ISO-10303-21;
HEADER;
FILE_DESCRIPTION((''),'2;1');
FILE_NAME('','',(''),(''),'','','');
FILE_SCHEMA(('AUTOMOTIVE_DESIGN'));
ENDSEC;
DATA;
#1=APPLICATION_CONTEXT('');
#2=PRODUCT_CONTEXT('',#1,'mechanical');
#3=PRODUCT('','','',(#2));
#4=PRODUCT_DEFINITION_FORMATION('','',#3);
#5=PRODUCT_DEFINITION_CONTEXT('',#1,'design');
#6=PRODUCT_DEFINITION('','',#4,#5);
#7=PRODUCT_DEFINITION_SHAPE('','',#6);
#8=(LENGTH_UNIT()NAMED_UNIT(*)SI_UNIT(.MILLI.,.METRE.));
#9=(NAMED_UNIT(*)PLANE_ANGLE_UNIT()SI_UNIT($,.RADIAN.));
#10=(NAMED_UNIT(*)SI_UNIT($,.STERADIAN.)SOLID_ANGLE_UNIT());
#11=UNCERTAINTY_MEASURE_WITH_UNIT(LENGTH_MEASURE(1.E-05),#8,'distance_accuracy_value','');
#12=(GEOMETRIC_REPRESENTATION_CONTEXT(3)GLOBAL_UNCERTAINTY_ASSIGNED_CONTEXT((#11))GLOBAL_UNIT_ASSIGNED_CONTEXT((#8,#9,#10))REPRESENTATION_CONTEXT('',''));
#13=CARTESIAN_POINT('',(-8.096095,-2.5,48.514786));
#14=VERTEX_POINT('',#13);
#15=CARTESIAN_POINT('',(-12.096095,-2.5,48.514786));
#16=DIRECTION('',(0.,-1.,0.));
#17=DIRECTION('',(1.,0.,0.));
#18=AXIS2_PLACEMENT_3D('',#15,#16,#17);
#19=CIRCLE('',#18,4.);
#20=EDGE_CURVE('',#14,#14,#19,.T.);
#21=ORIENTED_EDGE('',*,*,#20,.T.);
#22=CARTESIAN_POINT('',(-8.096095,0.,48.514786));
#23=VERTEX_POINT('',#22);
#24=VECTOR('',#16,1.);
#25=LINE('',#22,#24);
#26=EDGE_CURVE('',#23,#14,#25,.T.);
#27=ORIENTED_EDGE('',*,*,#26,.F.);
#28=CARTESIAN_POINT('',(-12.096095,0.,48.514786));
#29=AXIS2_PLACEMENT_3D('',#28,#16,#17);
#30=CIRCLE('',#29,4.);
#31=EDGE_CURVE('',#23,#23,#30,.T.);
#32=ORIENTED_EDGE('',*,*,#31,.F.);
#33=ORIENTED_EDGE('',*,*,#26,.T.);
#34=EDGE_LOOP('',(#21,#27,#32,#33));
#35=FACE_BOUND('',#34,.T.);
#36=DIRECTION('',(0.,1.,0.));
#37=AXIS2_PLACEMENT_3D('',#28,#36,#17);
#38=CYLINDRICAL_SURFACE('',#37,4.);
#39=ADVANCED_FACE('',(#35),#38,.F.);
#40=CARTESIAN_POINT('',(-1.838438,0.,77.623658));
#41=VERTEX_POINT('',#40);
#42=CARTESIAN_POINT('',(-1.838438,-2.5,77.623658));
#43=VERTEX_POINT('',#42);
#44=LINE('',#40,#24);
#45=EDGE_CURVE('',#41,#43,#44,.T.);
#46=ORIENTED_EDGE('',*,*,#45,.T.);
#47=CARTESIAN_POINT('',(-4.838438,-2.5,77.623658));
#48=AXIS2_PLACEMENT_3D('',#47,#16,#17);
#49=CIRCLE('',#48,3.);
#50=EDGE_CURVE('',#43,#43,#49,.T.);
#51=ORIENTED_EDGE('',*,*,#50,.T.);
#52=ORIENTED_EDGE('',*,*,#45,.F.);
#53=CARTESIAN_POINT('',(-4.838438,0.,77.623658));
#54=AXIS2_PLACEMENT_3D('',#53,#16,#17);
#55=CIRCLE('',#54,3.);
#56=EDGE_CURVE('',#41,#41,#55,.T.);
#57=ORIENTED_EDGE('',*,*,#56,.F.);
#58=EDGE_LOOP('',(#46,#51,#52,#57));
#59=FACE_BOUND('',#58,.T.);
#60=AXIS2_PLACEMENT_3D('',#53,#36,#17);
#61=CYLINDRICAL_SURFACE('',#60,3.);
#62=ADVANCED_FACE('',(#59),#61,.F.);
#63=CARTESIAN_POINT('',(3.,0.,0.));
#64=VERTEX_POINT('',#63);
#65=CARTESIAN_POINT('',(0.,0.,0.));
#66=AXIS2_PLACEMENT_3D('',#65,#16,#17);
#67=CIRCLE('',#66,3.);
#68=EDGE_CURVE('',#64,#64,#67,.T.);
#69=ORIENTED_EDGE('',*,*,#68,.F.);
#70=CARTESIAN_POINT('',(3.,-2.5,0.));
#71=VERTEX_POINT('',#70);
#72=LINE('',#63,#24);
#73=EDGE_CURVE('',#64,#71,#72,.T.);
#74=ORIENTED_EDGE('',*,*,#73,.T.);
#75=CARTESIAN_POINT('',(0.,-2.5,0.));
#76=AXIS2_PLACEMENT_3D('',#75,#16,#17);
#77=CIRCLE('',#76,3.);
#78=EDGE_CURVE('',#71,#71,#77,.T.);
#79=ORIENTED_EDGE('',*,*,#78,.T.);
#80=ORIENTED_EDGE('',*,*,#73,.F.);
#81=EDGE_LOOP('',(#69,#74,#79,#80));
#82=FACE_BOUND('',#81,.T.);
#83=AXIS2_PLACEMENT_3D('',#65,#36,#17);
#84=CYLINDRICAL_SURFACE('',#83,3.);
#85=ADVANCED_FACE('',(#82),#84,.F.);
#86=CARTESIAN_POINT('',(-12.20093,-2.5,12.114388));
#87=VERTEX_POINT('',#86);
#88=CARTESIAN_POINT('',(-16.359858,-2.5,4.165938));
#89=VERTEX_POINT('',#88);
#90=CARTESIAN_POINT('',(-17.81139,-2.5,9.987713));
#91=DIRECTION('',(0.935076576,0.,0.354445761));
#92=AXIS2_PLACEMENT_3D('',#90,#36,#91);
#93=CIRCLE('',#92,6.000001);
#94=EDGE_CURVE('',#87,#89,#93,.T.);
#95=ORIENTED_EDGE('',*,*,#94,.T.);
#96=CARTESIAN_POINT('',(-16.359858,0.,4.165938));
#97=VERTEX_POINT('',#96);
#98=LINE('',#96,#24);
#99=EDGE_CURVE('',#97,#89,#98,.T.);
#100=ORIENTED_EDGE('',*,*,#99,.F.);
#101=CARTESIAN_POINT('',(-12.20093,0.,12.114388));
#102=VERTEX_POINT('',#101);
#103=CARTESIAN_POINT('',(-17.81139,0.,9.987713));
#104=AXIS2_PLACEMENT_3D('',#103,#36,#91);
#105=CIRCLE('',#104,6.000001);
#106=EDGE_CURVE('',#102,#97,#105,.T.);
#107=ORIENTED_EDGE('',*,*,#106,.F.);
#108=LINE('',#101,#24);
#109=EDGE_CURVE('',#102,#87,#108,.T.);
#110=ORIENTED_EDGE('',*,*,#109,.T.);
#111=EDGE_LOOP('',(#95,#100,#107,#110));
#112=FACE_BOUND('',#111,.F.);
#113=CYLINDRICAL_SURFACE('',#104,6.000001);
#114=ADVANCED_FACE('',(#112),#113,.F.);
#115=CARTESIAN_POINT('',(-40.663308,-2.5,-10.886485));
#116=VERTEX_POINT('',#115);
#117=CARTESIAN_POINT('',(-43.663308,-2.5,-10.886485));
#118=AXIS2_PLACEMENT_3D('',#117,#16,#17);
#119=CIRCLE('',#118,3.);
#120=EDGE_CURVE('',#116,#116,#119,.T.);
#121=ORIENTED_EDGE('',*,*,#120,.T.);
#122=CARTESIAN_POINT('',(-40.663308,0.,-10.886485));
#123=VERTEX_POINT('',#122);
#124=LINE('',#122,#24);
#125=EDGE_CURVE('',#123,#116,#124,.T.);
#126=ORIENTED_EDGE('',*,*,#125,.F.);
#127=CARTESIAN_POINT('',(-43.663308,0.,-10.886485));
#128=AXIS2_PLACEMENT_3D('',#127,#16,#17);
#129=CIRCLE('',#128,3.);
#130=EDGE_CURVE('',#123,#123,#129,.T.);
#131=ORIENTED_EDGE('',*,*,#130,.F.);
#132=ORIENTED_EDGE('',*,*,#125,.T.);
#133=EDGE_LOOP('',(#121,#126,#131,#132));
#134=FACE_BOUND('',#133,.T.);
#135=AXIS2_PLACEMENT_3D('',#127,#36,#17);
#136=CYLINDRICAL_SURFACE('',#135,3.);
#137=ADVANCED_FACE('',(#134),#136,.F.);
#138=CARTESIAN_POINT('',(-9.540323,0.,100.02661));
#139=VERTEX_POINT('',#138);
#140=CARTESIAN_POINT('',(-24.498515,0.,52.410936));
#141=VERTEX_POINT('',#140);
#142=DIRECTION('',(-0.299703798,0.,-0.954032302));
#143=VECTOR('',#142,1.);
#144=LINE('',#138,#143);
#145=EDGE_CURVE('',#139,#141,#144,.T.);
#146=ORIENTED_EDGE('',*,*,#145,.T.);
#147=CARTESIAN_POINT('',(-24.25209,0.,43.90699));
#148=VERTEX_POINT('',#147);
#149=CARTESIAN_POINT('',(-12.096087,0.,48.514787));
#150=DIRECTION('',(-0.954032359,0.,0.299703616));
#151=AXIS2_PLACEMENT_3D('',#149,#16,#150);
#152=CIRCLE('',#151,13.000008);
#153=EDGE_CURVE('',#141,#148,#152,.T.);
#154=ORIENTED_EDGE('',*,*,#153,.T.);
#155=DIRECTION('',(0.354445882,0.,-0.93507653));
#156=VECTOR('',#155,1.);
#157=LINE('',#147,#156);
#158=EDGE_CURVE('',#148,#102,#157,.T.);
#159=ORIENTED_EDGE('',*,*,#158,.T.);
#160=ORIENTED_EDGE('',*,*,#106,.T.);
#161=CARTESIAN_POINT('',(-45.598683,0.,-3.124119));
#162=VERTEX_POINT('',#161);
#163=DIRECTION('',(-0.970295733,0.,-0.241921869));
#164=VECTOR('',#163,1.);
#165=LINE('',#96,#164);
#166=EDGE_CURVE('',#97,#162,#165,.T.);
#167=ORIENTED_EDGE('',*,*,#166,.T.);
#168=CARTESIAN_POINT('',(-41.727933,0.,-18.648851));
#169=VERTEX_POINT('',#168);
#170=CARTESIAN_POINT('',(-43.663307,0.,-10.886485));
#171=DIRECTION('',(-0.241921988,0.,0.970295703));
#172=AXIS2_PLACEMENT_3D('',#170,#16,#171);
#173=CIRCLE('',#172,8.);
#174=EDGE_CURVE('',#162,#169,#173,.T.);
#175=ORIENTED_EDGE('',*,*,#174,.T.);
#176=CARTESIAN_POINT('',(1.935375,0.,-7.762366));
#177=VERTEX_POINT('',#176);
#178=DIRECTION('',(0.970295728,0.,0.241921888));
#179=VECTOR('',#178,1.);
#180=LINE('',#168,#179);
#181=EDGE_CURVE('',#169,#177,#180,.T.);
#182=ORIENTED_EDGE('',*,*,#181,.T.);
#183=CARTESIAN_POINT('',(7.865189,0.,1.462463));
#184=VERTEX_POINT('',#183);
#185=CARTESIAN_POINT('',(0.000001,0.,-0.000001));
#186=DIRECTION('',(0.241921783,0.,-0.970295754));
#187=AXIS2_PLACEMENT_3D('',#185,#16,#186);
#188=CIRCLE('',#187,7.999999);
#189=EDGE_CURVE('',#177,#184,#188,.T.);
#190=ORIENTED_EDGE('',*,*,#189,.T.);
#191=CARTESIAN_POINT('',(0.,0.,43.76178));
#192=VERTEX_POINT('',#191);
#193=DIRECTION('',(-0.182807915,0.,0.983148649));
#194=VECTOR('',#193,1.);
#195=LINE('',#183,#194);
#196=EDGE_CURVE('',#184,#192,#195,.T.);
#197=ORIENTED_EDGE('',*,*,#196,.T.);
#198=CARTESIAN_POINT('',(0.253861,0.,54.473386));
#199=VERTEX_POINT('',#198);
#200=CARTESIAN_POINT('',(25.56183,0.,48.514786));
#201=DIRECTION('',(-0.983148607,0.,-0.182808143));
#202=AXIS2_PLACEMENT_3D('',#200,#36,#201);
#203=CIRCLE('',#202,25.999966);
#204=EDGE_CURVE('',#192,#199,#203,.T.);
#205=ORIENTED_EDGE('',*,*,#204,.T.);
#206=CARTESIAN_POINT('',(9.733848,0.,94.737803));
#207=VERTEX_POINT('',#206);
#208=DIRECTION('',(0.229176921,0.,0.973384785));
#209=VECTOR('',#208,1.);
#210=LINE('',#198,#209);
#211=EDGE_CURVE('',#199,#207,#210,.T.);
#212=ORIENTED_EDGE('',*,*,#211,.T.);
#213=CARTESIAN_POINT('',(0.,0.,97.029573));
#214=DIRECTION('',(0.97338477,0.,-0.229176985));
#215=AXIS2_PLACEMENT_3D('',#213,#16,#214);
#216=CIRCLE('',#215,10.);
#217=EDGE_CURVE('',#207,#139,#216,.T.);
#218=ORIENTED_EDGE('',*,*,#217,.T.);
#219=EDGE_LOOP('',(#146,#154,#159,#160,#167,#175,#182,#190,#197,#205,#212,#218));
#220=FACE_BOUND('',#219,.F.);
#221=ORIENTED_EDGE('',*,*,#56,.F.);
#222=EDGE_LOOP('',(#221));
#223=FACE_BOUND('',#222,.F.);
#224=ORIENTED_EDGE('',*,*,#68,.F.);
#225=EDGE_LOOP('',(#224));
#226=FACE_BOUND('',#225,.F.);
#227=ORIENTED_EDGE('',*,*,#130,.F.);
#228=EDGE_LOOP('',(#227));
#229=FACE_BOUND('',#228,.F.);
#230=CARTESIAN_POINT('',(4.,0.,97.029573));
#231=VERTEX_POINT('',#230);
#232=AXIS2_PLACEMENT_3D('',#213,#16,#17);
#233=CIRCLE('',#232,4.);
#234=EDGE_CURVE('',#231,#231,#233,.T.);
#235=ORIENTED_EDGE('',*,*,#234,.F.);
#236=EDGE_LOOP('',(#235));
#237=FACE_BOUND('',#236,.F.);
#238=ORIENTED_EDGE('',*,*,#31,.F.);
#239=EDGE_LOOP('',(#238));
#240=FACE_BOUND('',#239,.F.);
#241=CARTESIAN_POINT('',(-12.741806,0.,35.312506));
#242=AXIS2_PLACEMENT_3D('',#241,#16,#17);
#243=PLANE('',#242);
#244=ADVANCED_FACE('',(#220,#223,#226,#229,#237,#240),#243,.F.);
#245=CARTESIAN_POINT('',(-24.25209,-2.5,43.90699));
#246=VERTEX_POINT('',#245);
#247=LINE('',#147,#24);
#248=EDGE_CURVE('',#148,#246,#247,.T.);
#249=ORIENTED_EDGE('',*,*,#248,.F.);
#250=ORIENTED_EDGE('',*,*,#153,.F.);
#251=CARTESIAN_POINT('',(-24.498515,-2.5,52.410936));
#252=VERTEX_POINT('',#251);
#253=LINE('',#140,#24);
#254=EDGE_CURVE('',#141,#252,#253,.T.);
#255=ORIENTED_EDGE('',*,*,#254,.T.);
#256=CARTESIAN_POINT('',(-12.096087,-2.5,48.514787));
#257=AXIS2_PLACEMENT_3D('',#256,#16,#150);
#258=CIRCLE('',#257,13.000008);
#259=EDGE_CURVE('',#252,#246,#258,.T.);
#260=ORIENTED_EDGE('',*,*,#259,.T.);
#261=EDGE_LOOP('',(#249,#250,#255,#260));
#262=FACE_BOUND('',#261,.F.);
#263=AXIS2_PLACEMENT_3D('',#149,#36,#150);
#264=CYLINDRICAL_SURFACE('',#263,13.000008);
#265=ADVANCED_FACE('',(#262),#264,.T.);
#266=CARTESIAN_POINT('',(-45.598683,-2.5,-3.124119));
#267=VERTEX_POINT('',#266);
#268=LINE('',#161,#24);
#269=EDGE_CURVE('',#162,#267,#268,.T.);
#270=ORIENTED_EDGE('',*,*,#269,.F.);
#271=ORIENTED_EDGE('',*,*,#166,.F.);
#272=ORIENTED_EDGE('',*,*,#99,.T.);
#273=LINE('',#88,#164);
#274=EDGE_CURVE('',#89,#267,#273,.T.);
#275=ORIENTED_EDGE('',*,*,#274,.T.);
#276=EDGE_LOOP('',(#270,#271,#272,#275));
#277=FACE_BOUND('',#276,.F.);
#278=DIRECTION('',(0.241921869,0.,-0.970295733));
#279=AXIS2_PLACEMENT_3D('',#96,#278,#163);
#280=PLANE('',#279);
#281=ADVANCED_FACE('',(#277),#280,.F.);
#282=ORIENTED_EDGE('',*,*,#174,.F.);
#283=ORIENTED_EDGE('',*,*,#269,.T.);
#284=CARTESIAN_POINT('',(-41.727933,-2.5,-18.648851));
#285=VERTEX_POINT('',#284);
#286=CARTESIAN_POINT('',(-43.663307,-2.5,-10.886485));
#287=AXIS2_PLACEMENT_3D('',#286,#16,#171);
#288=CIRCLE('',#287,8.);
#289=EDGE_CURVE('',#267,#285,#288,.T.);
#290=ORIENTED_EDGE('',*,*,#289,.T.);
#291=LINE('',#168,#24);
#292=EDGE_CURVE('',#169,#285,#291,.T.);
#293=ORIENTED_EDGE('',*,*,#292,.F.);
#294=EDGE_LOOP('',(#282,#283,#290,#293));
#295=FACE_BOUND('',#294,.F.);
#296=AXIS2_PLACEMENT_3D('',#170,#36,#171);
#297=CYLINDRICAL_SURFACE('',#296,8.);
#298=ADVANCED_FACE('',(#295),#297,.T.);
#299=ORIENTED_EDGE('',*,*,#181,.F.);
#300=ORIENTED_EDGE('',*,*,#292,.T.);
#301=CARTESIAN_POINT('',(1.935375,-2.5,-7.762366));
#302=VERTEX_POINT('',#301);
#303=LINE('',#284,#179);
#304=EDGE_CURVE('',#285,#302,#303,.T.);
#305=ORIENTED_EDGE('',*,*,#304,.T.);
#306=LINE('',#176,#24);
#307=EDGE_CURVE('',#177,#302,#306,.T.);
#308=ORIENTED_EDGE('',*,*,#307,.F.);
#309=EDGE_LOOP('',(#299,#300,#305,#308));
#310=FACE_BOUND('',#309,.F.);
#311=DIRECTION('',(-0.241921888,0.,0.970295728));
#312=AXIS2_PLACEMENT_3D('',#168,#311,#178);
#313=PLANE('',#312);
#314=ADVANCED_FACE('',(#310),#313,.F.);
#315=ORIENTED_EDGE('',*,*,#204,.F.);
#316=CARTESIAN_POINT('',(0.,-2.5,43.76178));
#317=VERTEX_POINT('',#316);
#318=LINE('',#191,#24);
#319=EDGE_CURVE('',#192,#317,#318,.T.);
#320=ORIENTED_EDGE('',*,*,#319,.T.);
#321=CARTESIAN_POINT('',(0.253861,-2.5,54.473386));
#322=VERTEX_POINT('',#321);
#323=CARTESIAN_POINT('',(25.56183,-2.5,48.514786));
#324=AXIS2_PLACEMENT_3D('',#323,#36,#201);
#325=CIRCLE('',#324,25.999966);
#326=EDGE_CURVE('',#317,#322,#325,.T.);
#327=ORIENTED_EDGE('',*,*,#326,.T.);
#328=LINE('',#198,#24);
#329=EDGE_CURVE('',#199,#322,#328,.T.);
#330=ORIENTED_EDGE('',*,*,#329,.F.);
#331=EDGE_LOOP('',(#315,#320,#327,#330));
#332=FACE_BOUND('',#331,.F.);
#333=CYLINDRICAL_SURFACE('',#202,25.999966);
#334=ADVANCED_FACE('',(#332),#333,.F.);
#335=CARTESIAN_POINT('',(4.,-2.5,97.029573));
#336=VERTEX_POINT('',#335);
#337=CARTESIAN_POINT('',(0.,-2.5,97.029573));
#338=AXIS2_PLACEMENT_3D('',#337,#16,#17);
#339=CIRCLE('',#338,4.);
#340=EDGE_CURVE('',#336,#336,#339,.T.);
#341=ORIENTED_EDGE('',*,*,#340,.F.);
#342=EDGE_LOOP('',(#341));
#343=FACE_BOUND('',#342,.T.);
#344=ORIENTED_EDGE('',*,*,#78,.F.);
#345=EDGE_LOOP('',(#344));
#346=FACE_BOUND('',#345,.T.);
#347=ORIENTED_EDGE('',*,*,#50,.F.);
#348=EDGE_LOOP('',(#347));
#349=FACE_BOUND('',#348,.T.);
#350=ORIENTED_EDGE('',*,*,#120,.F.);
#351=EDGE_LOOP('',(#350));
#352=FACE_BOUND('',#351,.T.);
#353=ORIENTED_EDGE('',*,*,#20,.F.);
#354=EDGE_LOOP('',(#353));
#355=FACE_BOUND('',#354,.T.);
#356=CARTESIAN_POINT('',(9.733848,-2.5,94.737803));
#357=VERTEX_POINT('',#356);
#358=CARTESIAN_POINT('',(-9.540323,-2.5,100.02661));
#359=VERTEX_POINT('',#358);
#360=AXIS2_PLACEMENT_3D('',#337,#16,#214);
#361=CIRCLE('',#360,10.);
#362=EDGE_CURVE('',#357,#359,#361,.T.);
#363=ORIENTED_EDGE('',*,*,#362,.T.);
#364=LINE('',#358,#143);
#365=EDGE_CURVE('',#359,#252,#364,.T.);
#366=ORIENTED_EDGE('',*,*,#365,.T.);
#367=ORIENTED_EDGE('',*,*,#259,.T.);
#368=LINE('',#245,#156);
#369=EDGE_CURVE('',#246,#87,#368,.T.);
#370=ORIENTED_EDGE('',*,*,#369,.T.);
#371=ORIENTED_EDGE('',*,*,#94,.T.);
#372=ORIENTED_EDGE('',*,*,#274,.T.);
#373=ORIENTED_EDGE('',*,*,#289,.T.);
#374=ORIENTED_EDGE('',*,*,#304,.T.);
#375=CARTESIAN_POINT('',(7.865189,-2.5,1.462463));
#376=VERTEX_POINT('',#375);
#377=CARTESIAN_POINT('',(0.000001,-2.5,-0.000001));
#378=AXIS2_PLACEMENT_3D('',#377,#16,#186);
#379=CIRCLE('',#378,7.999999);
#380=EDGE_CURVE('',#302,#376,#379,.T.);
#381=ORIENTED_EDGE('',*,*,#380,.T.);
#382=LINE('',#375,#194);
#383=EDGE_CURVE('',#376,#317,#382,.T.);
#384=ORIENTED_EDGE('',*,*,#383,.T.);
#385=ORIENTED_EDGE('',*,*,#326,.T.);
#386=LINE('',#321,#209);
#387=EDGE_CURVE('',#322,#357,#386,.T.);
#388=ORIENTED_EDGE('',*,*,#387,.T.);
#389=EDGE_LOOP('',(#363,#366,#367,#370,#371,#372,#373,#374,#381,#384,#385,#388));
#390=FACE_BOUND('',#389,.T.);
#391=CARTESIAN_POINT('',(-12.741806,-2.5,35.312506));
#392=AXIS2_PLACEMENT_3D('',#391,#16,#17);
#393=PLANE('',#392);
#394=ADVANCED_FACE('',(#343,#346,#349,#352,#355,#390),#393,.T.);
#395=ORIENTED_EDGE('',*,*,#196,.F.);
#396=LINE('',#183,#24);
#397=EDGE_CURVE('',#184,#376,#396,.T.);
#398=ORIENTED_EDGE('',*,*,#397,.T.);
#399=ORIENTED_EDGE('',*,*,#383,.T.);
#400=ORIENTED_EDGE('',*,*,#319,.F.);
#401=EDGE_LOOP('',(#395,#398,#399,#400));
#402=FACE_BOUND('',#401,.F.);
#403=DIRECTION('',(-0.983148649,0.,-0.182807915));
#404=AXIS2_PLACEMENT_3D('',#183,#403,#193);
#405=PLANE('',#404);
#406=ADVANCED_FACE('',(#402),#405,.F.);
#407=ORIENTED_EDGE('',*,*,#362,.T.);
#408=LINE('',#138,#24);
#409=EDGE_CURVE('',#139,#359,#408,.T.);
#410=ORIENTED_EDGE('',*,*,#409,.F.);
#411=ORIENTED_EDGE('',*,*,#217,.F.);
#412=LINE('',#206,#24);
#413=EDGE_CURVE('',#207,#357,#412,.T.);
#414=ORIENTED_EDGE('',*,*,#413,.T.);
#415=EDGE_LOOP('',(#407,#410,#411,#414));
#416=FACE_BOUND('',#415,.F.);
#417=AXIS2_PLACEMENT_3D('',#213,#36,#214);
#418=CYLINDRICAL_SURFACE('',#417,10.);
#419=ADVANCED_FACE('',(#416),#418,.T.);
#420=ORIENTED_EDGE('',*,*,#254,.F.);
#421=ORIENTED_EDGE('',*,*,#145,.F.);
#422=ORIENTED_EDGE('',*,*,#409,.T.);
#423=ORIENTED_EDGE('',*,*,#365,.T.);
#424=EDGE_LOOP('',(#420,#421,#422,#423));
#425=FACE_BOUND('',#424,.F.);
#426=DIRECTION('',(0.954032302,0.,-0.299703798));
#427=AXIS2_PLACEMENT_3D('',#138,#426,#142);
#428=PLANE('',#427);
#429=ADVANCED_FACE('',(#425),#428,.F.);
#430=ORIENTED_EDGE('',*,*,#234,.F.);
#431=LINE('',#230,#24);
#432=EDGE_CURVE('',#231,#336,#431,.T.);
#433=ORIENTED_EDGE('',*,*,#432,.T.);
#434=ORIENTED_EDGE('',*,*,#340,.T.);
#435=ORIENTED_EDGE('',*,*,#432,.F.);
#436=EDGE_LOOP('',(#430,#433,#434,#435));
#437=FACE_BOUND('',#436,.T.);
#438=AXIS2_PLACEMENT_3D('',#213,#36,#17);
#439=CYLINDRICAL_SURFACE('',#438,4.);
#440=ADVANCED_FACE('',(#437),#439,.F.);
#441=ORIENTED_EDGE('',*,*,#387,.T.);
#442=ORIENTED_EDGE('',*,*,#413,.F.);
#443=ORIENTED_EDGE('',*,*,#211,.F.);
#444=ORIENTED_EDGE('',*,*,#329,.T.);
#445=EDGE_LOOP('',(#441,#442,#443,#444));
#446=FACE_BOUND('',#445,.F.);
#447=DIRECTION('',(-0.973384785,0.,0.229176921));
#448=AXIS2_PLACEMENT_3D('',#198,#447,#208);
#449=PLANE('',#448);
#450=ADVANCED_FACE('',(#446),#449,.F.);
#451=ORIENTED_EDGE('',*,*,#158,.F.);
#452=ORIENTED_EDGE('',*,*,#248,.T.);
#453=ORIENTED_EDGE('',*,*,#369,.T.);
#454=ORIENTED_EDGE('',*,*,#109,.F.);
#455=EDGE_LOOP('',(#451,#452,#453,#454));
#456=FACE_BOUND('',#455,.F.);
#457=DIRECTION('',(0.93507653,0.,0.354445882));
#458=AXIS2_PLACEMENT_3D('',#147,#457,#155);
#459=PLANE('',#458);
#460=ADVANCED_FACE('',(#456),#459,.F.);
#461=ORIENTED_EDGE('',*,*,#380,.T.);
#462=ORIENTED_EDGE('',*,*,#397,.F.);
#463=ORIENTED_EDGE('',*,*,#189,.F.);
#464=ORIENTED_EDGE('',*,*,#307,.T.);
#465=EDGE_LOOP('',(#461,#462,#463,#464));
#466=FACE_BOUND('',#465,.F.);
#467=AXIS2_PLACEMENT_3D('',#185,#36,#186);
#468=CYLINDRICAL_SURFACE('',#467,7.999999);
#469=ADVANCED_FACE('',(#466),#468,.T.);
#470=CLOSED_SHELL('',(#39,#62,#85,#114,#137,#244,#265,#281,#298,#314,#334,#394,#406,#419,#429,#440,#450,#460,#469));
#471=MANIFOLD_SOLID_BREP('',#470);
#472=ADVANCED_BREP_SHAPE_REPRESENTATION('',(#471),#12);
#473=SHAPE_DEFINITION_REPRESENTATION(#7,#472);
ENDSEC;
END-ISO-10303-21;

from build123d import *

# Parameters (mm, degrees)
F0_R     = 3
F0_R_2   = 4
F1_DEPTH = 2.5


with BuildPart() as f1:
    # F0 (on Front) → F1 (new body)
    with BuildSketch(Plane.XZ):
        with BuildLine():
            ThreePointArc((-45.598683, -3.124119), (-51.425673, -12.82186), (-41.727933, -18.648851))
            Line((-41.727933, -18.648851), (1.935375, -7.762366))
            ThreePointArc((1.935375, -7.762366), (6.729572, -4.325837), (7.865189, 1.462463))
            Line((7.865189, 1.462463), (0, 43.76178))
            ThreePointArc((0, 43.76178), (-0.430837, 49.130802), (0.253861, 54.473386))
            Line((0.253861, 54.473386), (9.733848, 94.737803))
            ThreePointArc((9.733848, 94.737803), (2.646173, 106.673108), (-9.540323, 100.02661))
            Line((-9.540323, 100.02661), (-24.498515, 52.410936))
            ThreePointArc((-24.498515, 52.410936), (-25.09064, 48.138234), (-24.25209, 43.90699))
            Line((-24.25209, 43.90699), (-12.20093, 12.114388))
            ThreePointArc((-12.20093, 12.114388), (-12.495151, 7.206057), (-16.359858, 4.165938))
            Line((-16.359858, 4.165938), (-45.598683, -3.124119))
        make_face()
        with Locations((-43.663308, -10.886485)):
            Circle(F0_R, mode=Mode.SUBTRACT)
        Circle(F0_R, mode=Mode.SUBTRACT)
        with Locations((-12.096095, 48.514786)):
            Circle(F0_R_2, mode=Mode.SUBTRACT)
        with Locations((-4.838438, 77.623658)):
            Circle(F0_R, mode=Mode.SUBTRACT)
        with Locations((0, 97.029573)):
            Circle(F0_R_2, mode=Mode.SUBTRACT)
    extrude(amount=F1_DEPTH)


solid = f1.part
